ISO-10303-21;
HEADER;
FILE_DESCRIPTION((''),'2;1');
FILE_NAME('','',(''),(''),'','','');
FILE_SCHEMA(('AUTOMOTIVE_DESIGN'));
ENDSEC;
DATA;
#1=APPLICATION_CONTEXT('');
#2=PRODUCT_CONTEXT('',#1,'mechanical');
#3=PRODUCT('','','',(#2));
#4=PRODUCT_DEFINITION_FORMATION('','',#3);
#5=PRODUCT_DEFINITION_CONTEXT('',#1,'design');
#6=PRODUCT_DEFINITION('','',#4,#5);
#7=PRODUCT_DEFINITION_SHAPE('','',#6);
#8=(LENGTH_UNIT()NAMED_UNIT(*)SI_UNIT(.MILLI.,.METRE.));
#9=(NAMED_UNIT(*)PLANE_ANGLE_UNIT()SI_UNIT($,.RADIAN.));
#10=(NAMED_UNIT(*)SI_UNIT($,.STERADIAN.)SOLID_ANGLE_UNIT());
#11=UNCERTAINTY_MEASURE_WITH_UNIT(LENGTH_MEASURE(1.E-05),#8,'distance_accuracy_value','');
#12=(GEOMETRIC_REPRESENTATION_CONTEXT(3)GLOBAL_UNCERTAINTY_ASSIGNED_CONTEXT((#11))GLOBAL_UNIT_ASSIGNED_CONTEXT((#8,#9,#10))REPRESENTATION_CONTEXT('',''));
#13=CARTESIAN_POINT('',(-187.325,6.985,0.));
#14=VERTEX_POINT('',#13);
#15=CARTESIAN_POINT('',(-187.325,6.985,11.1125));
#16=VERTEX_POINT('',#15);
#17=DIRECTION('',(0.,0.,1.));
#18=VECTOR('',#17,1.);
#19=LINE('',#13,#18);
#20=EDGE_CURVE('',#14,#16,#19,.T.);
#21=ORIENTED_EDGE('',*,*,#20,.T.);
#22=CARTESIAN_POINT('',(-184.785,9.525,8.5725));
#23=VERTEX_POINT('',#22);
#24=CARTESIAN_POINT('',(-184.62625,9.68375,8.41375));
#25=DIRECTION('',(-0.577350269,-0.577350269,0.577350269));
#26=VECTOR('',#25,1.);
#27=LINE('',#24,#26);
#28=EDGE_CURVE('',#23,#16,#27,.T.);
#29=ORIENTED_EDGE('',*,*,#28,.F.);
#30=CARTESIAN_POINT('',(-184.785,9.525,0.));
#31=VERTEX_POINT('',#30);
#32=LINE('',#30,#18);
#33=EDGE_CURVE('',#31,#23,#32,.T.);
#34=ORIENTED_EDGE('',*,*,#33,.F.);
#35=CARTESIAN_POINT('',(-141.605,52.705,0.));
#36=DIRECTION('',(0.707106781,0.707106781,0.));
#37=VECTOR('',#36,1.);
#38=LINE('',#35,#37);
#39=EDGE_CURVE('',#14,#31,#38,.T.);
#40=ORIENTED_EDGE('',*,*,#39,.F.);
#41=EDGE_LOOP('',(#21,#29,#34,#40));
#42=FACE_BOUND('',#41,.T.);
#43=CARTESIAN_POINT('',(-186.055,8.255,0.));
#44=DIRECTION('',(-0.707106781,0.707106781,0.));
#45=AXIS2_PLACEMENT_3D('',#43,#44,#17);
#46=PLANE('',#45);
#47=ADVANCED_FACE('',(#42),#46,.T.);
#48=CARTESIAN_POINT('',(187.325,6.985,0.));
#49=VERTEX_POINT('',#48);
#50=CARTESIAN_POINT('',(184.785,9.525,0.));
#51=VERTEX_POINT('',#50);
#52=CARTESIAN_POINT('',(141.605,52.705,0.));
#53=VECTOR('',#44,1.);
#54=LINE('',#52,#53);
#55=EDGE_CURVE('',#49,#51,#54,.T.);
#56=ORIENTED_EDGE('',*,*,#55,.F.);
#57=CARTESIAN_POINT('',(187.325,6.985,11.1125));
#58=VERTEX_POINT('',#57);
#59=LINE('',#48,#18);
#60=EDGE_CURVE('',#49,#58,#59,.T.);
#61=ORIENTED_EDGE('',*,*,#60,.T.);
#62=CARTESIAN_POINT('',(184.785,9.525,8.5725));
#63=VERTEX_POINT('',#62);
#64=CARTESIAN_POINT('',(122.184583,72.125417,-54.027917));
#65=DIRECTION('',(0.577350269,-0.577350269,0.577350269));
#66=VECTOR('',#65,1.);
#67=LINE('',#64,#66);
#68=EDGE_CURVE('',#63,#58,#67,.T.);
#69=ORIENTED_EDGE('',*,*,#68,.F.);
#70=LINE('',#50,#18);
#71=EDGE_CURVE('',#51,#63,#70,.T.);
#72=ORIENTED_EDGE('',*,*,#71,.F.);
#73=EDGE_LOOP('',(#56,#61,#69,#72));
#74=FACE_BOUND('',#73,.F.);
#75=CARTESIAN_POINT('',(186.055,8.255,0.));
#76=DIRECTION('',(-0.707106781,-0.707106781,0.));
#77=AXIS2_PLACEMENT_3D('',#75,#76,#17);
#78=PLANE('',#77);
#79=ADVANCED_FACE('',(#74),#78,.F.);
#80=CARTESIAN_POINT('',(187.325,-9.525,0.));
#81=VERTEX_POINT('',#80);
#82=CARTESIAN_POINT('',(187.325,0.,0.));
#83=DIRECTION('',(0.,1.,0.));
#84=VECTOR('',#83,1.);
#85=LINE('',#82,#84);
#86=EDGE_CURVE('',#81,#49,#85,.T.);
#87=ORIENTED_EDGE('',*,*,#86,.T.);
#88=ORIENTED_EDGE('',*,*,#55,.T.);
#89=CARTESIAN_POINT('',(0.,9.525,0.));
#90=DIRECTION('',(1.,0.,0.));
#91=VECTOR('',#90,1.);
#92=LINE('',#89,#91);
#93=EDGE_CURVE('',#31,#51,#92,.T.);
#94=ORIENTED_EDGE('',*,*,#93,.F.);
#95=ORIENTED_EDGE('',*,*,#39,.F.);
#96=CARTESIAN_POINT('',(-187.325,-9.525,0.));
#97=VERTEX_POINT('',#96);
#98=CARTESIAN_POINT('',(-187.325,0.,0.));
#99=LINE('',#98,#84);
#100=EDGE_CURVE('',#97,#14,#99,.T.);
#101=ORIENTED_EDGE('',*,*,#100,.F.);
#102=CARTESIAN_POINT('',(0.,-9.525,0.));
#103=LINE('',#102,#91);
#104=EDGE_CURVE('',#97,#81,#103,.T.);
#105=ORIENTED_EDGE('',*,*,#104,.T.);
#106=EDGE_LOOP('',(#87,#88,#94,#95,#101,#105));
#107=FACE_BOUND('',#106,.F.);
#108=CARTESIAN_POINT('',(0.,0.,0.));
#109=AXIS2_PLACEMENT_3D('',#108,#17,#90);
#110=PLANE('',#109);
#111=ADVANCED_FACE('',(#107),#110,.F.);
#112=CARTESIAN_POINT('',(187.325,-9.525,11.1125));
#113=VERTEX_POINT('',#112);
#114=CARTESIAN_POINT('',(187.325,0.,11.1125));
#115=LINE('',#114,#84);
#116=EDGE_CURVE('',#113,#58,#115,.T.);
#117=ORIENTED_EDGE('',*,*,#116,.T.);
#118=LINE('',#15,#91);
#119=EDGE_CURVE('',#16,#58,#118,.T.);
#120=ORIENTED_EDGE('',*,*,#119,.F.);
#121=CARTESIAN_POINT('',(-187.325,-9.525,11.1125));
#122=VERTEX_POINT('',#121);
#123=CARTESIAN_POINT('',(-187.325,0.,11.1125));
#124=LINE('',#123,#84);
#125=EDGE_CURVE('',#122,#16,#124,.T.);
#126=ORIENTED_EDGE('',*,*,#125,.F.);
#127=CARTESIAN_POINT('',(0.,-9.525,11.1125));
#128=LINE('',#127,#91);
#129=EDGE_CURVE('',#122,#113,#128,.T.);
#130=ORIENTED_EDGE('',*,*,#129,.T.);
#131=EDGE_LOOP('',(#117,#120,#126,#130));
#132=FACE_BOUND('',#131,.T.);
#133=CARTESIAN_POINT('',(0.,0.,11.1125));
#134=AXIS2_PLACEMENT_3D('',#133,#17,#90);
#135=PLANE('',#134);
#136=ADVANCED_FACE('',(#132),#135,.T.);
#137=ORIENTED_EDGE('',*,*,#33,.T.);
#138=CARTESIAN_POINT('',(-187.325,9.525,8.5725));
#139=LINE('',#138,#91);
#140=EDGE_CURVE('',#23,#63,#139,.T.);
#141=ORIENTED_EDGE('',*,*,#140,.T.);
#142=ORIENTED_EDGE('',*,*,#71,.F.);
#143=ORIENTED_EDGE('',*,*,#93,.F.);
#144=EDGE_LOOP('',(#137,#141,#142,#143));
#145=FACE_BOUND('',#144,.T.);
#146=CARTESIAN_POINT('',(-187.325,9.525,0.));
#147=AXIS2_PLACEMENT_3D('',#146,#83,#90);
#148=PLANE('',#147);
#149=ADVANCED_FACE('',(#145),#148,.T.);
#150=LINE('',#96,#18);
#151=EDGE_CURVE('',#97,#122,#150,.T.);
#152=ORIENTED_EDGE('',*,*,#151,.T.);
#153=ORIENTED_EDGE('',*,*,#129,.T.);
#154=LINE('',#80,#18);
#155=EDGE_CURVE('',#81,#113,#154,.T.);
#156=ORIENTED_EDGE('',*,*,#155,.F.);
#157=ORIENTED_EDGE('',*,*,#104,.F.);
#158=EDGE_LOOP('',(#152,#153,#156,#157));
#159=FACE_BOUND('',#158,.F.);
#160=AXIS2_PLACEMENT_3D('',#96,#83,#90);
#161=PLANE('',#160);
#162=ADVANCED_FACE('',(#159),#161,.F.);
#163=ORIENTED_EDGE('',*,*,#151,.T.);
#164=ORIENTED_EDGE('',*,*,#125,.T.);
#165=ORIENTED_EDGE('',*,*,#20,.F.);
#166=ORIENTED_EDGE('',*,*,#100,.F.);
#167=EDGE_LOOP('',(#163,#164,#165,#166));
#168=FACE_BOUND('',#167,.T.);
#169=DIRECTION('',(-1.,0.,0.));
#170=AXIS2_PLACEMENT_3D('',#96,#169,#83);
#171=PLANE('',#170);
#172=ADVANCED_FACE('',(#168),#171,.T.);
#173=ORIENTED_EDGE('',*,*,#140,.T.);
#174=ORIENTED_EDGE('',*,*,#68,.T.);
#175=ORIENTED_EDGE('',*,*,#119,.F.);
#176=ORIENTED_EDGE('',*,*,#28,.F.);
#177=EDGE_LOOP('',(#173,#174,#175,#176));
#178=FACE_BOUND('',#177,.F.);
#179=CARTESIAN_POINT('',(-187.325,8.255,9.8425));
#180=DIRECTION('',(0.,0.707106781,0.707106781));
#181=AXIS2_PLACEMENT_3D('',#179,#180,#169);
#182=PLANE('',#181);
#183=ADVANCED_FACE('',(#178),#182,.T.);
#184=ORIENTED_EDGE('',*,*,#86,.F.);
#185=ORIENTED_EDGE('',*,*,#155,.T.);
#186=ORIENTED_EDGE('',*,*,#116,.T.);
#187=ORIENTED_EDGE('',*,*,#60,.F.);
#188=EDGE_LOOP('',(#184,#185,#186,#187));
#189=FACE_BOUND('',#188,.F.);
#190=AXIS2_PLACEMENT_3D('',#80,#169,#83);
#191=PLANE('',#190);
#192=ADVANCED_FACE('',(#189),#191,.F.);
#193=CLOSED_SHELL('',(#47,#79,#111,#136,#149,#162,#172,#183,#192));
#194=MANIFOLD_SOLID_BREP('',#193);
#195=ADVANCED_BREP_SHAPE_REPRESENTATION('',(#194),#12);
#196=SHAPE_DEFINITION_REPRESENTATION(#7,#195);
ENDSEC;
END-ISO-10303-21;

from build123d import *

# Parameters (mm, degrees)
F0_W     = 374.65
F0_H     = 19.05
F1_DEPTH = 11.1125
F2_SIZE  = 2.54


with BuildPart() as f1:
    # F0 (on Top) → F1 (new body)
    with BuildSketch(Plane.XY):
        Rectangle(F0_W, F0_H)
    extrude(amount=F1_DEPTH)

    # F2
    f2_edges = [f1.edges().sort_by_distance(p)[0] for p in [
        (0, 9.525, 11.1125),
        (187.325, 9.525, 5.55625),
        (-187.325, 9.525, 5.55625),
    ]]
    chamfer(f2_edges, length=F2_SIZE)


solid = f1.part
